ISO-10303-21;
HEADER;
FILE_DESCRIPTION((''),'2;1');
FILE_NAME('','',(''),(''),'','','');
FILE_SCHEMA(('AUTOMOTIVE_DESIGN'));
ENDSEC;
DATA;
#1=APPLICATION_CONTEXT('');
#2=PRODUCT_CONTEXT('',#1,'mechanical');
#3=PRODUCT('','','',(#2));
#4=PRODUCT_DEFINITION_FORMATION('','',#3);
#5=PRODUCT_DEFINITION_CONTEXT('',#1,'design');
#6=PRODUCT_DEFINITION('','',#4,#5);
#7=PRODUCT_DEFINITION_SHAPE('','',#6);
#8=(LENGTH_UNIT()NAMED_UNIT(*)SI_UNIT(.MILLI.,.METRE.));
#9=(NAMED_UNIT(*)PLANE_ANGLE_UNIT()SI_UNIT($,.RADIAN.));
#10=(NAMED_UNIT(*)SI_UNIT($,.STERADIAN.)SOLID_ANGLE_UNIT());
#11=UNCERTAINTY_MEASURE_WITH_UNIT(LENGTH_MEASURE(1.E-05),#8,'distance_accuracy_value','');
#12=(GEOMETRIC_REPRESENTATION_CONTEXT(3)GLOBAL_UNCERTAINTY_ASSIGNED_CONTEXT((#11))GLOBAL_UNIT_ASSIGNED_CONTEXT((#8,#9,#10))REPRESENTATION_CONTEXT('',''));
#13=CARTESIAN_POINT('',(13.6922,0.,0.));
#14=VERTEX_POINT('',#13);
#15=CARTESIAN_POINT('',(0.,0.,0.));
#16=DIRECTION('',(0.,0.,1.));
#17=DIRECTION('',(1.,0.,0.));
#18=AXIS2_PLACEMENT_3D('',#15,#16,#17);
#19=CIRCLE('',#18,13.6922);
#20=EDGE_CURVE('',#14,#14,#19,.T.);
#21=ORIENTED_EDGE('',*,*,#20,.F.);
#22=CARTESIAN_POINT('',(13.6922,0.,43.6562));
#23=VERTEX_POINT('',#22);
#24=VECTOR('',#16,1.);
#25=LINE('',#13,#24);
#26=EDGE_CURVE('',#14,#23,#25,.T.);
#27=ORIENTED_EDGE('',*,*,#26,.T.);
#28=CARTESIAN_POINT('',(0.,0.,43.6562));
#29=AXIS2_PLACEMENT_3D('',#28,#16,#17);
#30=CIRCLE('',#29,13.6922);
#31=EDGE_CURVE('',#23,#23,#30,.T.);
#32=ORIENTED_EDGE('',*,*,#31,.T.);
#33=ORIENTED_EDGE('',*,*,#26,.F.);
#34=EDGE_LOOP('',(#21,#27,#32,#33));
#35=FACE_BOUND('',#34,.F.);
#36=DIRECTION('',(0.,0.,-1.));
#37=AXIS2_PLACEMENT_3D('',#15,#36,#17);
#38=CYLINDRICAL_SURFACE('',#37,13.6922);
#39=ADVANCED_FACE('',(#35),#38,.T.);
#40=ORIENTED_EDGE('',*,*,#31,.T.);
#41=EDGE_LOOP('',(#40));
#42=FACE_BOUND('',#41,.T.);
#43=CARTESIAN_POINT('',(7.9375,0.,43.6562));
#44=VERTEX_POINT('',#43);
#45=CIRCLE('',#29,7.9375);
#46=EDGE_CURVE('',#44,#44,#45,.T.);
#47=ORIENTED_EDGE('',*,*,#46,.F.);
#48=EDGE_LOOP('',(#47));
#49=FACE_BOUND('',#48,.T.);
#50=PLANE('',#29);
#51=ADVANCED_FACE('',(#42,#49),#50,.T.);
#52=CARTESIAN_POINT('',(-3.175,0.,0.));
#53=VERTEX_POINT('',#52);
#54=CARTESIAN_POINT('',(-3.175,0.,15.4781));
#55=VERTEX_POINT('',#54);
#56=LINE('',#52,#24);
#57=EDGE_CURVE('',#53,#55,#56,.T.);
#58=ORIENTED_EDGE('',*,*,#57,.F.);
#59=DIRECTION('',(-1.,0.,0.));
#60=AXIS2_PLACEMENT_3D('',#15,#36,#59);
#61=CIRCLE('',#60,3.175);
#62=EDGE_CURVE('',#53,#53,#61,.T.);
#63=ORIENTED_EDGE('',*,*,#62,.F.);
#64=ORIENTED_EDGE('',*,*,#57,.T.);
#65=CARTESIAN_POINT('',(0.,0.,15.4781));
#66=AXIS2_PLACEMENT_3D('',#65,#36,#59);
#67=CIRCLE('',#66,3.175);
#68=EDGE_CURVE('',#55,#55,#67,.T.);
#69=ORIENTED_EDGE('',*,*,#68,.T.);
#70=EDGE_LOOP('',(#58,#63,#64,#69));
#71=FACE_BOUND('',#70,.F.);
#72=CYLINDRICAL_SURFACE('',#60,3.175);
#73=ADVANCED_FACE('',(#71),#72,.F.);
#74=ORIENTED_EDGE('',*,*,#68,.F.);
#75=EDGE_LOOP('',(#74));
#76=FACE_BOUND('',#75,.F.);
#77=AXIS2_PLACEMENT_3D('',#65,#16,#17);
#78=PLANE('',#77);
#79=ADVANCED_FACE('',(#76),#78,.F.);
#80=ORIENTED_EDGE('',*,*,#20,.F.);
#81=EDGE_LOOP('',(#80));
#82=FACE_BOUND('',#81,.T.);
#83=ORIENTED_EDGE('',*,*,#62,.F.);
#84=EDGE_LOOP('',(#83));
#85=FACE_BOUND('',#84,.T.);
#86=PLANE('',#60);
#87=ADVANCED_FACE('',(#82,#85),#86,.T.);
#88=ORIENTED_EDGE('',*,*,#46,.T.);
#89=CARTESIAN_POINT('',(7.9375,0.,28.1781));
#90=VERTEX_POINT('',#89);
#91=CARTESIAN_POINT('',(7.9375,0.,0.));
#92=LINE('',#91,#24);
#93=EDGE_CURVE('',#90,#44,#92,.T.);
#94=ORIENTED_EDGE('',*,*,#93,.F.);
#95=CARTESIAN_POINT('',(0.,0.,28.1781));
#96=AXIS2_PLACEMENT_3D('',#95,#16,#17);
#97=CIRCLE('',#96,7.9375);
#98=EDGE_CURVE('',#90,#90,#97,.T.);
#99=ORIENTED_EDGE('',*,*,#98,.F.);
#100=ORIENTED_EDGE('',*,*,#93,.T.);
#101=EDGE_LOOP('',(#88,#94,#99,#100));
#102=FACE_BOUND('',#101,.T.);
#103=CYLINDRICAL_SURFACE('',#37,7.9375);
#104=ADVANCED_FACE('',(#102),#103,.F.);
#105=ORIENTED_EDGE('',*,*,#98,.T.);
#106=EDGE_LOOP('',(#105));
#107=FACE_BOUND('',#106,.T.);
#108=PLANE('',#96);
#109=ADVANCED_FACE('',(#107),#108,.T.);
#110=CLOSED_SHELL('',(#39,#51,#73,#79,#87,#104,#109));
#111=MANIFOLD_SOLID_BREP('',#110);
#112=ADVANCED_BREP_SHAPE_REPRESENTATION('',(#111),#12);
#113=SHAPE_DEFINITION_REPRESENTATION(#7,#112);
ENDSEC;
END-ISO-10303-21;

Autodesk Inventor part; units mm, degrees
ref_plane "YZ Plane" through (0, 0, 0) normal (1, 0, 0) x (0, 1, 0)
ref_plane "XZ Plane" through (0, 0, 0) normal (0, 1, 0) x (-1, 0, 0)
ref_plane "XY Plane" through (0, 0, 0) normal (0, 0, 1) x (1, 0, 0)
sketch "Sketch1" plane through (0, 0, 0) normal (0, 0, 1) x (1, 0, 0)
  circle A0 centre (0, 0) radius 7.9375
  circle A1 centre (0, 0) radius 13.6922
  dimension "d0" = 15.875
  dimension "d1" = 27.3844
extrude "Extrusion1" add sketch "Sketch1" along normal blind 43.6562
ref_plane "Work Plane1" through (0, 0, 21.8281) normal (0, 0, 1) x (1, 0, 0)
sketch "Sketch3" plane through (0, 0, 21.8281) normal (0, 0, 1) x (1, 0, 0)
  circle A0 centre (0, 0) radius 7.9375 projected
extrude "Extrusion2" add sketch "Sketch3" along normal mid plane 12.7
sketch "Sketch5" plane through (0, 0, 0) normal (0, 0, -1) x (-1, 0, 0)
  circle A0 centre (0, 0) radius 3.175
  circle A1 centre (0, 0) radius 13.6922 projected
  circle A2 centre (0, 0) radius 7.9375 projected
  dimension "d6" = 6.35
extrude "Extrusion3" add sketch "Sketch5" against normal up to surface (15.4781 mm away) contours A2
properties part number "Machinable Bore Flexible Shaft Coupling"
